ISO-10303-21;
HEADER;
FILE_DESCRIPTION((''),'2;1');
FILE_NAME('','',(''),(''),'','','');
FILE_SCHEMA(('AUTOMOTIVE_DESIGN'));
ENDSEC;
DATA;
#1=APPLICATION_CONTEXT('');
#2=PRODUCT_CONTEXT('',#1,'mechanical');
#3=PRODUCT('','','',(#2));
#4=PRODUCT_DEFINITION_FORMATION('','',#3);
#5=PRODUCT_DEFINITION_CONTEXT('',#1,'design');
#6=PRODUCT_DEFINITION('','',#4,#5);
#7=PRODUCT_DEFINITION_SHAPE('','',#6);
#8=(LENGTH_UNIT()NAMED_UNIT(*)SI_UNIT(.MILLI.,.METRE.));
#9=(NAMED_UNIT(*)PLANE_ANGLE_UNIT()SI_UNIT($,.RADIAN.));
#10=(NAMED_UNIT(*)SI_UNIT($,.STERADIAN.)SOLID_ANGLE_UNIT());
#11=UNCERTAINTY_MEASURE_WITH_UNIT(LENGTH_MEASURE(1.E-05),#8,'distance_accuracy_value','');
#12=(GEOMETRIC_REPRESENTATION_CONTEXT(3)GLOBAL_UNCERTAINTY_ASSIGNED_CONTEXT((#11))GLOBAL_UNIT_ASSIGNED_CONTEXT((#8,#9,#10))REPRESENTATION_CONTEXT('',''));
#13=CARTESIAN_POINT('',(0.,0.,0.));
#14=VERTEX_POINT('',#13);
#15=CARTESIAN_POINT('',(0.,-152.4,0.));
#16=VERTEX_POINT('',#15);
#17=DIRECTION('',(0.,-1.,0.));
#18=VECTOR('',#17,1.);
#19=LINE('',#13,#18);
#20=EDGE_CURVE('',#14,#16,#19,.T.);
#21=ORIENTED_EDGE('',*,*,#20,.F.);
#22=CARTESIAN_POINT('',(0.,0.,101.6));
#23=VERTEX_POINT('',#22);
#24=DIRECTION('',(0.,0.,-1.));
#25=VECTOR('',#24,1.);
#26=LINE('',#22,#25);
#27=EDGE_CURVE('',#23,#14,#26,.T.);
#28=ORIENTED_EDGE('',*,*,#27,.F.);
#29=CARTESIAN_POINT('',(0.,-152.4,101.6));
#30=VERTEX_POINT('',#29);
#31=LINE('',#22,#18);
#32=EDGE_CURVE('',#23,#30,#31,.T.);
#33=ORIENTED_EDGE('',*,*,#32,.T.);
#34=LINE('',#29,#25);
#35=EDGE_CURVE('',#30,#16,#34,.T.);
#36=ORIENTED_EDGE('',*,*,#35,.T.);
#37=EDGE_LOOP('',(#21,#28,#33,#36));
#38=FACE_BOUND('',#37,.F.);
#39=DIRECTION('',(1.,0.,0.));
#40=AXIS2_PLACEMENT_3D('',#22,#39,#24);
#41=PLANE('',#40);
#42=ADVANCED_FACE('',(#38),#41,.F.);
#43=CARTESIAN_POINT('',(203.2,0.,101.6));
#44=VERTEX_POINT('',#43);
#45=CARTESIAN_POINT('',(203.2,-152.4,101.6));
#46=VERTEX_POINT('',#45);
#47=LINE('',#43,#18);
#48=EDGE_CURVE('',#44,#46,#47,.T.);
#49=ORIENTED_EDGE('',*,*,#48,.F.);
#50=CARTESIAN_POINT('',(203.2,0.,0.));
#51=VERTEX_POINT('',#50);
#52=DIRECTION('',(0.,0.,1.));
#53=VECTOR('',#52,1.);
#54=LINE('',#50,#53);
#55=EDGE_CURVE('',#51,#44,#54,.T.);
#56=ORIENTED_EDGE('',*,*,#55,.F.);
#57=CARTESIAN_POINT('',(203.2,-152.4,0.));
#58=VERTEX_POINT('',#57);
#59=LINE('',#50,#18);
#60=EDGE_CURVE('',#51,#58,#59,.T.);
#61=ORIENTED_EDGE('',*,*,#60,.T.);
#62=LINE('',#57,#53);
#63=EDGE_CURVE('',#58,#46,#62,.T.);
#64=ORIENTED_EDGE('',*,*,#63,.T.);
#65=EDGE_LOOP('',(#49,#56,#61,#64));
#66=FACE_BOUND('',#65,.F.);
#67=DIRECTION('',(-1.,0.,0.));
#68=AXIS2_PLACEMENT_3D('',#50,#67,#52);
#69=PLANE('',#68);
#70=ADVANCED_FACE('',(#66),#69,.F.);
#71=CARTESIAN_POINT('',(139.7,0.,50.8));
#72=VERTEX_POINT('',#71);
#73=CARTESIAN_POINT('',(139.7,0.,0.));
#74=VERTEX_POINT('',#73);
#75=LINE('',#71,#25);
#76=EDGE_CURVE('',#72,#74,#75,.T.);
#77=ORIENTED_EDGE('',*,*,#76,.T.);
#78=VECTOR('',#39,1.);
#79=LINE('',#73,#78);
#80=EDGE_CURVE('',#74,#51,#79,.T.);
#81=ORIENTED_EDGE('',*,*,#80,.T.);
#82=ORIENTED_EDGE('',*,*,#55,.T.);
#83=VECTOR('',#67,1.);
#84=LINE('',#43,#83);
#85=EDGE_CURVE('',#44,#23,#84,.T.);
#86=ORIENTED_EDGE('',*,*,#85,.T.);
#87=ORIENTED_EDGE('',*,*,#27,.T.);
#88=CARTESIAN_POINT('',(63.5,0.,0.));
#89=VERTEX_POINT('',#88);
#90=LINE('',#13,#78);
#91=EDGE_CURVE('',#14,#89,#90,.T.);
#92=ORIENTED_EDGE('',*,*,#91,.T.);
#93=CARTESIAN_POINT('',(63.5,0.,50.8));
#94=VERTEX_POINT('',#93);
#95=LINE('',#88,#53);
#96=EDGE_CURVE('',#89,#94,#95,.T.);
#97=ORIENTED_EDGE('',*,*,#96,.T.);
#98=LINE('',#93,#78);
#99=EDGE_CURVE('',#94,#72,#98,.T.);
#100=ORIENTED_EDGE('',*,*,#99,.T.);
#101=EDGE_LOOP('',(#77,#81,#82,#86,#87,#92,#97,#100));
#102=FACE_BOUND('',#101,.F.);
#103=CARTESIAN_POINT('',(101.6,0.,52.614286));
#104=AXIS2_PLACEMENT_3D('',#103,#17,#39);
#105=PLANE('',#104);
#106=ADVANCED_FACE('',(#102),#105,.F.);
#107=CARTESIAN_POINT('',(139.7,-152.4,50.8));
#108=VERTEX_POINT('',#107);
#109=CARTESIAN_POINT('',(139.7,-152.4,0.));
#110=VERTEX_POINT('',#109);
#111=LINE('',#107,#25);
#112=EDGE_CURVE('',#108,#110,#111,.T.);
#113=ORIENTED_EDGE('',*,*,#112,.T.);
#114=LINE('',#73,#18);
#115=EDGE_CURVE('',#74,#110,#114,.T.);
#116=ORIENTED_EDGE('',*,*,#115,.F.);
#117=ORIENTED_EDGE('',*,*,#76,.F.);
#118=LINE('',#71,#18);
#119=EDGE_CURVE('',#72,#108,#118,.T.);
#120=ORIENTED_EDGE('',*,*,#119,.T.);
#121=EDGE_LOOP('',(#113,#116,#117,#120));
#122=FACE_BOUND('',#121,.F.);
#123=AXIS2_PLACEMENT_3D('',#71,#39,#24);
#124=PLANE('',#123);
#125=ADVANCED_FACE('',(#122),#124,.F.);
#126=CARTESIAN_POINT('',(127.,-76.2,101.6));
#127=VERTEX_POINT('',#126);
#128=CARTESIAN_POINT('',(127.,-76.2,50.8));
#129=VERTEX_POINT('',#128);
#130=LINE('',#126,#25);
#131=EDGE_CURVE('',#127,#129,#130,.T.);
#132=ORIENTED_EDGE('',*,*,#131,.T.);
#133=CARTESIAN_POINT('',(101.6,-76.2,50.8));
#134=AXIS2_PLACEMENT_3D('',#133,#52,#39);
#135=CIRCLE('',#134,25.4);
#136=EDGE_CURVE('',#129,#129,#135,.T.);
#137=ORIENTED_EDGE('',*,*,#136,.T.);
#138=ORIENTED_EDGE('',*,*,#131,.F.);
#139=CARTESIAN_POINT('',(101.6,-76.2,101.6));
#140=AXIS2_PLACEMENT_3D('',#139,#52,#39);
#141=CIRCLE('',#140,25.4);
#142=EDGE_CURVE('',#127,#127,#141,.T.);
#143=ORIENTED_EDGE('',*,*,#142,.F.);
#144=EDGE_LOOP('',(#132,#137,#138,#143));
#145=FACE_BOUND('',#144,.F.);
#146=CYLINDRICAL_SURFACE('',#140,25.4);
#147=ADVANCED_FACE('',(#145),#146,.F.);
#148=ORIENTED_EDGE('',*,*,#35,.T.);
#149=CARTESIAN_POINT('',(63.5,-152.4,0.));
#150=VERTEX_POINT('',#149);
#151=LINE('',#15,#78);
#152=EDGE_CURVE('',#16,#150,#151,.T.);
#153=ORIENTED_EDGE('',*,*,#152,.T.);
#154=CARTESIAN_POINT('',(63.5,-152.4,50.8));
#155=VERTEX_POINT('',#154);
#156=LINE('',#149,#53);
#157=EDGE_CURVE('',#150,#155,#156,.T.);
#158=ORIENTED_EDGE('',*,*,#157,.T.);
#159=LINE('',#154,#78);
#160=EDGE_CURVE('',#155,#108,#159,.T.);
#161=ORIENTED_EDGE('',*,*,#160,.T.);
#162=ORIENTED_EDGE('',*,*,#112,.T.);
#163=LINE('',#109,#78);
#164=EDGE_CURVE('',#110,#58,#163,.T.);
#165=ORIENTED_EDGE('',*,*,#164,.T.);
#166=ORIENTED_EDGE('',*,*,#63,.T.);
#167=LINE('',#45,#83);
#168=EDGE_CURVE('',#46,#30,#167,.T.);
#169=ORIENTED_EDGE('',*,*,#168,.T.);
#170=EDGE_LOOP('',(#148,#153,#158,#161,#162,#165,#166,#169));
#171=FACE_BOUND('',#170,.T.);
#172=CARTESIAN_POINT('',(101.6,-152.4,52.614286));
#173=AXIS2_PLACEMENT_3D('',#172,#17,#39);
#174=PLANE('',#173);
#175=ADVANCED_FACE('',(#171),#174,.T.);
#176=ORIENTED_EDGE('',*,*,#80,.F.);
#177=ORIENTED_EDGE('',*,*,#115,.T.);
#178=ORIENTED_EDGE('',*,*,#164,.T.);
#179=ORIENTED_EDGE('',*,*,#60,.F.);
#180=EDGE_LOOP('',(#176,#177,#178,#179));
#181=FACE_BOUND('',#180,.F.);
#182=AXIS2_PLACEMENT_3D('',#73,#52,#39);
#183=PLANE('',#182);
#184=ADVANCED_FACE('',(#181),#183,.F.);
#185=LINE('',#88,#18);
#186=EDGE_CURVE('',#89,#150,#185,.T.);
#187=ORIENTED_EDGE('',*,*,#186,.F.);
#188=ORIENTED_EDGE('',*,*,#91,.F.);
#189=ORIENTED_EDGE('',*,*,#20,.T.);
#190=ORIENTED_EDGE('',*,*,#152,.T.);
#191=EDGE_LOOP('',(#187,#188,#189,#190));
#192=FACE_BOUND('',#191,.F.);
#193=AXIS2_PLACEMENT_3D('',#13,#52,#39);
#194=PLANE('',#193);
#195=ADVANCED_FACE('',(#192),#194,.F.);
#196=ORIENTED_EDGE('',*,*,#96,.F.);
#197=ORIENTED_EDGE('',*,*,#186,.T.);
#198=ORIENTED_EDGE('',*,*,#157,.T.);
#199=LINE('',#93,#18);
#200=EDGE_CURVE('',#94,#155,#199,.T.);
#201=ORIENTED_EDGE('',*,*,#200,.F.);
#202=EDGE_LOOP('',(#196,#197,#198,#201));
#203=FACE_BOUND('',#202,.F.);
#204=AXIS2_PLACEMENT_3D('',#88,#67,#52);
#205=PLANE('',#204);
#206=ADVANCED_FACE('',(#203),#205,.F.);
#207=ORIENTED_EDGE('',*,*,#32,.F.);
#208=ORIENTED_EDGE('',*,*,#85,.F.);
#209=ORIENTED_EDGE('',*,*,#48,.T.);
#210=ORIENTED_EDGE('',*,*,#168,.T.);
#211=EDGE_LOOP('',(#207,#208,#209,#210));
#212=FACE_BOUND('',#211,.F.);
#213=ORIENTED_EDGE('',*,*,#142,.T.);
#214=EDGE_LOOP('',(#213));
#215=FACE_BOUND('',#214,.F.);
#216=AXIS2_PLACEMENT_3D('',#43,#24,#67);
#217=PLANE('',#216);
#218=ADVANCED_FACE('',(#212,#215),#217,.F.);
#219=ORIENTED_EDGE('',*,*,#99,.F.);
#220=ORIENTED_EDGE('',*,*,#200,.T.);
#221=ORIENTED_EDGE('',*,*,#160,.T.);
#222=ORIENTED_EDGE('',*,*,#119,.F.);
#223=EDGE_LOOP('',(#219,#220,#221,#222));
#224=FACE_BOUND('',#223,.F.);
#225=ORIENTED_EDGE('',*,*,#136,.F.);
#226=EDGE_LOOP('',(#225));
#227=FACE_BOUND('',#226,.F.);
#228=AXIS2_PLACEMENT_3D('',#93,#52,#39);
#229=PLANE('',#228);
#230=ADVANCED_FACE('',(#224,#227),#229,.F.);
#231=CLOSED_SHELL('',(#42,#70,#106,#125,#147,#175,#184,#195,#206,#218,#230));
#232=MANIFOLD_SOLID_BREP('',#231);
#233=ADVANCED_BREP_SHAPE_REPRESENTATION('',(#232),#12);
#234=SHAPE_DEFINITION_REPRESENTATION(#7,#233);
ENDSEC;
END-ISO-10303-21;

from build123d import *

# Parameters (mm, degrees)
F1_DEPTH = 152.4
F2_R     = 25.4
F3_DEPTH = 101.601


with BuildPart() as f1:
    # F0 (on Front) → F1 (new body)
    with BuildSketch(Plane.XZ):
        Polygon((0, 101.6), (0, 0), (63.5, 0), (63.5, 50.8), (139.7, 50.8), (139.7, 0), (203.2, 0), (203.2, 101.6), align=None)
    extrude(amount=F1_DEPTH)

    # F2 (on face) → F3 (cut, through all)
    with BuildSketch(Plane.XY.offset(101.6)):
        with Locations((101.6, -76.2)):
            Circle(F2_R)
    extrude(amount=-F3_DEPTH, mode=Mode.SUBTRACT)


solid = f1.part
